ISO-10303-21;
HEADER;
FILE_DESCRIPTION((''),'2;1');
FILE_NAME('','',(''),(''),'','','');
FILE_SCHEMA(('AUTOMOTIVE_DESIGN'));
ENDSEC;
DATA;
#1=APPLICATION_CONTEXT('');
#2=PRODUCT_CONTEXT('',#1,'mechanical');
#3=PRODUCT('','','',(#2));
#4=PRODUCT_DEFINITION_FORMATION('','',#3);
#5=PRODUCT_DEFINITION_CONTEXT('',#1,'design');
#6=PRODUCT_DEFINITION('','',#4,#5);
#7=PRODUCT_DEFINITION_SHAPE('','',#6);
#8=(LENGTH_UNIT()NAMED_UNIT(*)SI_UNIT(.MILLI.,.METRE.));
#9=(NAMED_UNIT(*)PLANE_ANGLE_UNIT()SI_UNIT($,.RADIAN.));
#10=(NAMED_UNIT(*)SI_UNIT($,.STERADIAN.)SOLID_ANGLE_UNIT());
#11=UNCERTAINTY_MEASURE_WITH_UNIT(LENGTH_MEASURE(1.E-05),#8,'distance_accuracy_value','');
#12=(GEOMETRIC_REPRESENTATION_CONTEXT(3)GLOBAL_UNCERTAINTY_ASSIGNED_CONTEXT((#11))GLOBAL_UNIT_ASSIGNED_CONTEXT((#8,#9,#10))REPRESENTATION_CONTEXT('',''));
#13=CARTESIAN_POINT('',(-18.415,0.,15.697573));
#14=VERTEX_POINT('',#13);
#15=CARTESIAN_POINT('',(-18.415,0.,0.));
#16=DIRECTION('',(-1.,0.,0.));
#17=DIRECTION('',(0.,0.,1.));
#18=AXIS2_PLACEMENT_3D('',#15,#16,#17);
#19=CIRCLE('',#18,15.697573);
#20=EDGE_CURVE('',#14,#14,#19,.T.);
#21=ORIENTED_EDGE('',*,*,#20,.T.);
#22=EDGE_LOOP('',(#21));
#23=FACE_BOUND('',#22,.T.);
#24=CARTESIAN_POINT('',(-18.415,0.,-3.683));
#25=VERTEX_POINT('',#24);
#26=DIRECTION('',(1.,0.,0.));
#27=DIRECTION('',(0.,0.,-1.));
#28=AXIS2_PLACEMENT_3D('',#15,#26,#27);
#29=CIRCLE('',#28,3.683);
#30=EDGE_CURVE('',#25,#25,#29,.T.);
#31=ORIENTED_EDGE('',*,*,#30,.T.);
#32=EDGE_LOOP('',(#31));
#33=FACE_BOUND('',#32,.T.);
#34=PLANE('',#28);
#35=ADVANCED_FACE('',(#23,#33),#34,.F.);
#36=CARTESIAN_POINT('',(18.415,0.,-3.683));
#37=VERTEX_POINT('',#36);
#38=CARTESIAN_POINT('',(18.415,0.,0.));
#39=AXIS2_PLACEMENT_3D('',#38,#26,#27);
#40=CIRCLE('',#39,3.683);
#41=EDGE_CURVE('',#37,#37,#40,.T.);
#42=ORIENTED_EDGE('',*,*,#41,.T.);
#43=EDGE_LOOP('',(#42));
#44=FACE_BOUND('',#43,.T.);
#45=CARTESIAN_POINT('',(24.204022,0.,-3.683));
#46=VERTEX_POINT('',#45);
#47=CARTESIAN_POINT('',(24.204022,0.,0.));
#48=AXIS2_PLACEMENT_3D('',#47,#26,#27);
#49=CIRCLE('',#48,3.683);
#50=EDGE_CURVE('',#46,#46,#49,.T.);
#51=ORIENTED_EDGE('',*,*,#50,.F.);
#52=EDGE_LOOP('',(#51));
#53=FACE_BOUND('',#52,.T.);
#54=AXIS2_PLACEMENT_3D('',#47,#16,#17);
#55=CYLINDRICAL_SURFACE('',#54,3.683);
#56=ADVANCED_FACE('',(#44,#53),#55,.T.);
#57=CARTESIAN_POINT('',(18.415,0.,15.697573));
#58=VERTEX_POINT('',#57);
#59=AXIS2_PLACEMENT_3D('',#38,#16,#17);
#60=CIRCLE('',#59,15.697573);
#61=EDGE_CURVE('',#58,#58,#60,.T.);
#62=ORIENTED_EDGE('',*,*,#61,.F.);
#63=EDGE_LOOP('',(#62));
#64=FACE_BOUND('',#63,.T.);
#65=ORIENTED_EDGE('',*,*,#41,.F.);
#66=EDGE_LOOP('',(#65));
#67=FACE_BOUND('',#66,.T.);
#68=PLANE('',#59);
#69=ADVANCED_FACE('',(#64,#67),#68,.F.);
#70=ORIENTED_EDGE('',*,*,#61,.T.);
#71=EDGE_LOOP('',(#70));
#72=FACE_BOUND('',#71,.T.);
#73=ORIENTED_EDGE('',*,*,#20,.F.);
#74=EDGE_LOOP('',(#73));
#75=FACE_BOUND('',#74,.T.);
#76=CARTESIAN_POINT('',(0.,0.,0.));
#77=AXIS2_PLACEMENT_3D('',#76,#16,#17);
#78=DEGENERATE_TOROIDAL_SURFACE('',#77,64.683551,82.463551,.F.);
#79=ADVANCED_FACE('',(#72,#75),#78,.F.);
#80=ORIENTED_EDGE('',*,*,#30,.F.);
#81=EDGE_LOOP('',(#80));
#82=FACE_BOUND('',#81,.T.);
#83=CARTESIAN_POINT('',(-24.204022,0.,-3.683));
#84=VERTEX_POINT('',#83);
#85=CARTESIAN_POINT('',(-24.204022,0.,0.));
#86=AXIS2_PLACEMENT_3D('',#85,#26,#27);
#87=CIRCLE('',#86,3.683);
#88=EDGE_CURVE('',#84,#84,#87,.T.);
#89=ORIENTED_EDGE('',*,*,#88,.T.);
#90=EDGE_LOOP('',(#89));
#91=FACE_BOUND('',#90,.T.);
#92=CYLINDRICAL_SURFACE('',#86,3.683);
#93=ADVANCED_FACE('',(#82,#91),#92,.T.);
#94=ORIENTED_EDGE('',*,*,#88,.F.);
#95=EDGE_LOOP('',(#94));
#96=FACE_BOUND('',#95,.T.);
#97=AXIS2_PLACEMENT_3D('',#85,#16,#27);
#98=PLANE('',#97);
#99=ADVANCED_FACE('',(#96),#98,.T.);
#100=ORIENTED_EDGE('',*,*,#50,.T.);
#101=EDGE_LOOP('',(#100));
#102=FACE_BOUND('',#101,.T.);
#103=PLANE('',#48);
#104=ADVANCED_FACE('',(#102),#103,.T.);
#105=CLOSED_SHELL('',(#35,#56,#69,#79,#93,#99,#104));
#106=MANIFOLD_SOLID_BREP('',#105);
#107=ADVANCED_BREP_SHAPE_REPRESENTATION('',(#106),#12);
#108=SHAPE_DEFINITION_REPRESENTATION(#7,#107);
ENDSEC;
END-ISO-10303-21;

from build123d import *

# Parameters (mm, degrees)
SKETCH4_R           = 3.683
BOSS_EXTRUDE1_DEPTH = 5.789022458


with BuildPart() as part:
    # Sketch2 → Revolve1 (revolve)
    with BuildSketch(Plane.XY, mode=Mode.PRIVATE) as revolve1_sk:
        with BuildLine():
            Line((-18.415, 0), (-18.415, 15.697572511))
            ThreePointArc((-18.415, 15.697572511), (-9.266184884, 17.257739329), (0, 17.78))
            ThreePointArc((0, 17.78), (9.266184884, 17.257739329), (18.415, 15.697572511))
            Line((18.415, 15.697572511), (18.415, 0))
            Line((18.415, 0), (-18.415, 0))
        make_face()
    revolve(revolve1_sk.sketch.rotate(Axis((-18.415, 0, 0), (1, 0, 0)), 90), axis=Axis((-18.415, 0, 0), (1, 0, 0)))

    # Sketch4 → Boss-Extrude1 (add)
    with BuildSketch(Plane(origin=(18.415, 0, 0), x_dir=(0, 0, -1), z_dir=(1, 0, 0))):
        Circle(SKETCH4_R)
    boss_extrude1 = extrude(amount=BOSS_EXTRUDE1_DEPTH)

    # Mirror1: Boss-Extrude1 across plane
    add(boss_extrude1.mirror(Plane(origin=(0, 0, 0), x_dir=(0, 0, 1), z_dir=(1, 0, 0))))


solid = part.part
